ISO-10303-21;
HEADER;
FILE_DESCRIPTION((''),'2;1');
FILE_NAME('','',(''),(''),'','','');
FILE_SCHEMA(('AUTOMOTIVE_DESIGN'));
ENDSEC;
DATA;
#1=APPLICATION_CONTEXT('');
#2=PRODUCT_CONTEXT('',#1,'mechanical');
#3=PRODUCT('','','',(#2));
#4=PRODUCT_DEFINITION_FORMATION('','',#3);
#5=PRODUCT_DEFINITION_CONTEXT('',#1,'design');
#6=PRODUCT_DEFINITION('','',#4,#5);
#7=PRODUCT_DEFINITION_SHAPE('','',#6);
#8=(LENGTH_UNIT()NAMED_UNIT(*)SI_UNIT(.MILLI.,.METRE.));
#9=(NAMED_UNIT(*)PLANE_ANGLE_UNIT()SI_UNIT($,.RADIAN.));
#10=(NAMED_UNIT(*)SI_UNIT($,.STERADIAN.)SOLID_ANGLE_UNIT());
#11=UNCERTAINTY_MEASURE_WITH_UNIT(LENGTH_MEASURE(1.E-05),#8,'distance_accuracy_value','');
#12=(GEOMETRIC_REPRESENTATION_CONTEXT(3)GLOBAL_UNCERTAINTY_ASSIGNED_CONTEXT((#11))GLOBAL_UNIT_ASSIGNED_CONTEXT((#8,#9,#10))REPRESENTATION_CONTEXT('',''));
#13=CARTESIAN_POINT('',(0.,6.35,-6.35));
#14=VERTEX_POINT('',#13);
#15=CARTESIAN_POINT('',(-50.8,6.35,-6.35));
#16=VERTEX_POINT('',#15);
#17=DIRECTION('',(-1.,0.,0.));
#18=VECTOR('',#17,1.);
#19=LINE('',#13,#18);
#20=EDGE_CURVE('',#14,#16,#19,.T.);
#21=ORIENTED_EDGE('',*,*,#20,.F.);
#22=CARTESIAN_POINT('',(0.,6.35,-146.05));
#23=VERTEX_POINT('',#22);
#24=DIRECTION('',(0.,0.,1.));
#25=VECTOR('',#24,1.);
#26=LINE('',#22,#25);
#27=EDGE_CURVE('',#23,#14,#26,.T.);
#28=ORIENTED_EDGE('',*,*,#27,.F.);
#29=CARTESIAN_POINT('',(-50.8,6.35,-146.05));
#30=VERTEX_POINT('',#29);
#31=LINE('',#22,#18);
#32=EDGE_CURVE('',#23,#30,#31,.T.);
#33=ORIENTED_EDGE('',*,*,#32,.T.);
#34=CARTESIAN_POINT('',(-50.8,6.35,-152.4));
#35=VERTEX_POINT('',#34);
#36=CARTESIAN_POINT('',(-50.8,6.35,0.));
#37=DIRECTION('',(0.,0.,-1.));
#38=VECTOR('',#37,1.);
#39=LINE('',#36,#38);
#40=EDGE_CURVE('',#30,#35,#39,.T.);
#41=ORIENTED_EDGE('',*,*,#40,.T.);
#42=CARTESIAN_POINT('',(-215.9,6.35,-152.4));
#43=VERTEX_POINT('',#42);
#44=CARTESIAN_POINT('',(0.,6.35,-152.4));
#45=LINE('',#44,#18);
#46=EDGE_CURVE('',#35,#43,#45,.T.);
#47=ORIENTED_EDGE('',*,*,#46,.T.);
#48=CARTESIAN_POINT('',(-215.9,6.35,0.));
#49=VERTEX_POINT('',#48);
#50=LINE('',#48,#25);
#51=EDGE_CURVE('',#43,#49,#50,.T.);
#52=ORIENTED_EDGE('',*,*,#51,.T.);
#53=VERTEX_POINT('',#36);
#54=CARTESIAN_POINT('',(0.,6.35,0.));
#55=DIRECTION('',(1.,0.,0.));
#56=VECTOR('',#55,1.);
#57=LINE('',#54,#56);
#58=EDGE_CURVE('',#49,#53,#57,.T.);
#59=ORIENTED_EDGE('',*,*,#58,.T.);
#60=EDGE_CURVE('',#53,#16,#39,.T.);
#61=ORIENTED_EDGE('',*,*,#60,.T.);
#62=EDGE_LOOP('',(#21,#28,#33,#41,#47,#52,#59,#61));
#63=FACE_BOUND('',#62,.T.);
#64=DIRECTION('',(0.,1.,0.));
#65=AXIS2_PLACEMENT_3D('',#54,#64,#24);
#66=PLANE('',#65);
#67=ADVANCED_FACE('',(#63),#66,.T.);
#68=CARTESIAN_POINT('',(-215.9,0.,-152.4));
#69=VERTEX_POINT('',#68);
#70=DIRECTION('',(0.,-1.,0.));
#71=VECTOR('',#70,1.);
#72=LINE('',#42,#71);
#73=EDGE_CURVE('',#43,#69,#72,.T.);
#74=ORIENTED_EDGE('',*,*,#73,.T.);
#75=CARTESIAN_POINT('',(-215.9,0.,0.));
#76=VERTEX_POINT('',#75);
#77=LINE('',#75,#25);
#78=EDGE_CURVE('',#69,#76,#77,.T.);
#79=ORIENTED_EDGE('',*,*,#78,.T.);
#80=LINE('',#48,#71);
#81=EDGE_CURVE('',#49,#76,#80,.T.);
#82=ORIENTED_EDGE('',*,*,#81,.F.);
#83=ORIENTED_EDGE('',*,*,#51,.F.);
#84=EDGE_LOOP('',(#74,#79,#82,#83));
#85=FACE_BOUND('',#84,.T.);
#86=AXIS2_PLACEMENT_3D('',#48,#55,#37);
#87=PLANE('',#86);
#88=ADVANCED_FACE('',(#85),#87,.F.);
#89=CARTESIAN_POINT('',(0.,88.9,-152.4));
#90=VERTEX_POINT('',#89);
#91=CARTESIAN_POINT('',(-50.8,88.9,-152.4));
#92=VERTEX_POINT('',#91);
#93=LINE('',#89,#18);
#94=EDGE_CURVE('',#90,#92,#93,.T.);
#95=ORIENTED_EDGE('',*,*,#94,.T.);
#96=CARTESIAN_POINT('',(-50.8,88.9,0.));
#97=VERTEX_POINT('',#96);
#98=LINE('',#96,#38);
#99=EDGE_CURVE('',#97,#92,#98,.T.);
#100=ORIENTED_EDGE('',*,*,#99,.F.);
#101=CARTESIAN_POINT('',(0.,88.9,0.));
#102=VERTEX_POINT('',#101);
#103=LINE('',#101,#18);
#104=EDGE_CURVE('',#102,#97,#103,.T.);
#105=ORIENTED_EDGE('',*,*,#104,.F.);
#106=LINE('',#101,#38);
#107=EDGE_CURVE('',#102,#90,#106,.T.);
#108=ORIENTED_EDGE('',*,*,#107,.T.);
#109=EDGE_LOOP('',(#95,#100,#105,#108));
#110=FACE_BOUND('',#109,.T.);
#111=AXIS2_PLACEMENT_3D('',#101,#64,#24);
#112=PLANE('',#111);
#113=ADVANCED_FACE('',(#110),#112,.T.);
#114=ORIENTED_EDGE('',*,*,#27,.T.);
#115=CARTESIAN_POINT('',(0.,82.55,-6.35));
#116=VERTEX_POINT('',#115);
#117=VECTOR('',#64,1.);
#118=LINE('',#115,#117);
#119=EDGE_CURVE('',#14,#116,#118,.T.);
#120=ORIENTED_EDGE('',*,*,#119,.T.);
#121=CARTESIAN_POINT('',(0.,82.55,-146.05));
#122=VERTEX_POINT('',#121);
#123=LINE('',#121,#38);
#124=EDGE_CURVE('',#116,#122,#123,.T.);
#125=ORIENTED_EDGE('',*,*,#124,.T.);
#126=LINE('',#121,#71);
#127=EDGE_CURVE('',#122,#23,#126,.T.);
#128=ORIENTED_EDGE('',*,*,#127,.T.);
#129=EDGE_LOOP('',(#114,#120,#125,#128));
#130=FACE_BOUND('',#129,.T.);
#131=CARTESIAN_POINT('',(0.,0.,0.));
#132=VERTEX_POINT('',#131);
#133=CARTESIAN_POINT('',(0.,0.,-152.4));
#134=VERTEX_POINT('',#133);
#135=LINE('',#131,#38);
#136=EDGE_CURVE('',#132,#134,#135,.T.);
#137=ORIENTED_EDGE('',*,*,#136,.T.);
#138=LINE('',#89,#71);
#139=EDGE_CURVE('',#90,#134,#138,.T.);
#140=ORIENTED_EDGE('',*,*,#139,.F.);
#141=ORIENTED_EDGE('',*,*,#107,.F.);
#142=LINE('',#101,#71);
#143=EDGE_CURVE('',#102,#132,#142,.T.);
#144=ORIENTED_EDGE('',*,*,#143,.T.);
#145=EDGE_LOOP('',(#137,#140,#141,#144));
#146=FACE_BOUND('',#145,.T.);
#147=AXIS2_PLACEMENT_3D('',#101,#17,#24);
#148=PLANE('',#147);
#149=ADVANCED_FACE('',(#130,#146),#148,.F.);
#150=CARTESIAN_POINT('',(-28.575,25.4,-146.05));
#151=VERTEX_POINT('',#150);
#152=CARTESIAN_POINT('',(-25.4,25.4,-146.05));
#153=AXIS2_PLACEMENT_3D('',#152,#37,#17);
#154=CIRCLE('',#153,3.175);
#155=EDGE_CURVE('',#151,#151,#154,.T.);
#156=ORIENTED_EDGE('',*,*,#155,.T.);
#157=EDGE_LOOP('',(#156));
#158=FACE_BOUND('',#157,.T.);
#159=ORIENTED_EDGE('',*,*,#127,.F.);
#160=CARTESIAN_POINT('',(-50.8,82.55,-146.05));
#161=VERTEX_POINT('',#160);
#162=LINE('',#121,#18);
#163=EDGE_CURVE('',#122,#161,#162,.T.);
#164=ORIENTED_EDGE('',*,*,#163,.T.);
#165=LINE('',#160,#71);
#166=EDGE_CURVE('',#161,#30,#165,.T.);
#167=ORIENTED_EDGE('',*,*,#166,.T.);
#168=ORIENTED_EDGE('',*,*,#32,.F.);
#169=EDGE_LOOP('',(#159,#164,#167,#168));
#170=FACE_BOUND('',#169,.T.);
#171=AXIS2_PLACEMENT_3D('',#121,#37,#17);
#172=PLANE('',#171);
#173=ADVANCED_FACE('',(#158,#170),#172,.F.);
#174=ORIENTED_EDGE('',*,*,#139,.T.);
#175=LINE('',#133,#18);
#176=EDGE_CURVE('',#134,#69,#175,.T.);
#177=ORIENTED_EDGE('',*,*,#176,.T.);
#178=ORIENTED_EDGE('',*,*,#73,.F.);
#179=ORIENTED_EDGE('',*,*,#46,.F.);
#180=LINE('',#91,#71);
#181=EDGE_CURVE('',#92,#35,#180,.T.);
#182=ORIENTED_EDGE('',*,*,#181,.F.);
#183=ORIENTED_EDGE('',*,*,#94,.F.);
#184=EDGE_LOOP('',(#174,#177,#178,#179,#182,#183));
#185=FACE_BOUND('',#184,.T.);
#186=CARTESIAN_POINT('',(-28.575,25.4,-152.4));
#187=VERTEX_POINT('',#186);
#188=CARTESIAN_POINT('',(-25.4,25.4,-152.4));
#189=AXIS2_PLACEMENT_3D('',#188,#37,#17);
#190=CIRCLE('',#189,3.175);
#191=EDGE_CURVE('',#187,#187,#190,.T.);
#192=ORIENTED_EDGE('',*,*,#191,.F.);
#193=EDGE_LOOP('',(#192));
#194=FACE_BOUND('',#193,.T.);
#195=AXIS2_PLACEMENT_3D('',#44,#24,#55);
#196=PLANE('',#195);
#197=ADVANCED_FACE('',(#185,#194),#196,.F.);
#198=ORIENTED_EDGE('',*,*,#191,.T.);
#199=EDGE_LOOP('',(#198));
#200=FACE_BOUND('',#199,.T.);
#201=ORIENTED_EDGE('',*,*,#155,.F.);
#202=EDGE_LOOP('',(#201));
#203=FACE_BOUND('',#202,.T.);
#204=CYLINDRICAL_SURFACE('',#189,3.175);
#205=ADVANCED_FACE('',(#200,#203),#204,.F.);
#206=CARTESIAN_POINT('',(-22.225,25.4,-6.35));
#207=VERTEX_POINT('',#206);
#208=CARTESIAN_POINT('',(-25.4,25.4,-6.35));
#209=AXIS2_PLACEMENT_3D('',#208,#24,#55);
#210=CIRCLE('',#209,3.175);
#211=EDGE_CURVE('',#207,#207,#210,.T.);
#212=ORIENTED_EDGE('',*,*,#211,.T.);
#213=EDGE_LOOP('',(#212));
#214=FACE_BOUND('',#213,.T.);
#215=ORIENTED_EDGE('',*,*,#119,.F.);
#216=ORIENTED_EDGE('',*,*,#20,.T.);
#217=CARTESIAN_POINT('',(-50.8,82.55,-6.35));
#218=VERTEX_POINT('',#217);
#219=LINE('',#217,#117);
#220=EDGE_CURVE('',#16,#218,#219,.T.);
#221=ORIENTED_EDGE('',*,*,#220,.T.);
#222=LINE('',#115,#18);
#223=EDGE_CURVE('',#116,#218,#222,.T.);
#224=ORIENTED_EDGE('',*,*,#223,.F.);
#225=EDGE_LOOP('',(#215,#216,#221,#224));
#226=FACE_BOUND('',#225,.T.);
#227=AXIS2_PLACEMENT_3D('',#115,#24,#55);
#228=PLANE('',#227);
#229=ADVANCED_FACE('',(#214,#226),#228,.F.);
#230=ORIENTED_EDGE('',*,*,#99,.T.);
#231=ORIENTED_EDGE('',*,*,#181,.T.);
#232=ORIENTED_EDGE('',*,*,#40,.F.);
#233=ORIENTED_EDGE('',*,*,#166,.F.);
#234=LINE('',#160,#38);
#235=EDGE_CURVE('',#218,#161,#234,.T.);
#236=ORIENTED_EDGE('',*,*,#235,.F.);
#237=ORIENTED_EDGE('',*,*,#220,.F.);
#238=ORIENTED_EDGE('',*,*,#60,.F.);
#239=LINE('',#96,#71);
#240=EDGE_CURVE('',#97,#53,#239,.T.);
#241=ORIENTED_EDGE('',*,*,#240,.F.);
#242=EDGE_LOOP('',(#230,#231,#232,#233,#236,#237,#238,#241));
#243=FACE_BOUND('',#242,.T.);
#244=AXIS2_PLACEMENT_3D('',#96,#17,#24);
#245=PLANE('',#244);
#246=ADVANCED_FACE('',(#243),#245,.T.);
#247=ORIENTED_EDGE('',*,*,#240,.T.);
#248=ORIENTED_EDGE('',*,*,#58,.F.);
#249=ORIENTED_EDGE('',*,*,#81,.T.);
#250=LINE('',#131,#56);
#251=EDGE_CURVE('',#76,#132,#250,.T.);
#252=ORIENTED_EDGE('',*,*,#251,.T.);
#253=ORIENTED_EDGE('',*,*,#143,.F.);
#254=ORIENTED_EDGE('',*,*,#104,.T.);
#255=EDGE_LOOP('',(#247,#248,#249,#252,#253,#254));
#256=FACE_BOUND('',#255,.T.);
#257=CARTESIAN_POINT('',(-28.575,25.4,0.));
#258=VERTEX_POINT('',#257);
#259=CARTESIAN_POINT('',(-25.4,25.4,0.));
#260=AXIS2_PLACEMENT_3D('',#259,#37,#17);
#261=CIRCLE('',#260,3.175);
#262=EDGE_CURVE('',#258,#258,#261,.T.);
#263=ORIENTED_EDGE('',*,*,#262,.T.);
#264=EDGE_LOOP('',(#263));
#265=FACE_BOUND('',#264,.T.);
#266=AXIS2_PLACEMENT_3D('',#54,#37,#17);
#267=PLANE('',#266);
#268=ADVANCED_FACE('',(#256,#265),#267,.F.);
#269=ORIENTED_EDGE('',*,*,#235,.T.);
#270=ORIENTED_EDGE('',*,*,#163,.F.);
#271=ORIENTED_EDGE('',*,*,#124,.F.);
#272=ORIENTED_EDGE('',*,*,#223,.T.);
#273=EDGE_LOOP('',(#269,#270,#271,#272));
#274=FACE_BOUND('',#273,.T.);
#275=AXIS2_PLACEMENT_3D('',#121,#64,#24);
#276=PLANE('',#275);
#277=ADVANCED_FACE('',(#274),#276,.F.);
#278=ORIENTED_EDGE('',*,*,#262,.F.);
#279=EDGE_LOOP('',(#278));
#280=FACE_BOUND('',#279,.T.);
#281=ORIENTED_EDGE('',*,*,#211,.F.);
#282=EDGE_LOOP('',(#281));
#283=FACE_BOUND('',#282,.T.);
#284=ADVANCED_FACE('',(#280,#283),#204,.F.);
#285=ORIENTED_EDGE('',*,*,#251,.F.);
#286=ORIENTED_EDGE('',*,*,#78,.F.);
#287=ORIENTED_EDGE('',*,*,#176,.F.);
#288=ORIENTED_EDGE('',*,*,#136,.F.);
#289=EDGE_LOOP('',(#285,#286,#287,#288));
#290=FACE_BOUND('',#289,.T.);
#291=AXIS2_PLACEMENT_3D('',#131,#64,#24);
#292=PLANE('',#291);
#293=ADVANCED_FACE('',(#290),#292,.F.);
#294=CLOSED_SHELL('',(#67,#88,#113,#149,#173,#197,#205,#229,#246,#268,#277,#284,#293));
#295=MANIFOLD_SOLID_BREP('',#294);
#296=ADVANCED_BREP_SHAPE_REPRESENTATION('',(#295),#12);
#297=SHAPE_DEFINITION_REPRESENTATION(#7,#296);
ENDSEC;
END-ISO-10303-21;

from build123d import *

# Parameters (mm, degrees)
SKETCH1_W                   = 165.1
SKETCH1_H                   = 152.4
BOSS_EXTRUDE1_DEPTH         = 6.35
SKETCH1_7_W                 = 50.8
SKETCH1_7_H                 = 152.4
BOSS_EXTRUDE2_DEPTH         = 88.9
SKETCH29_W                  = 139.7
SKETCH29_H                  = 76.2
CUT_EXTRUDE4_DEPTH          = 242.633979399
F_1_4_0_25_DIAMETER_HOLE2_D = 6.35


with BuildPart() as part:
    # Sketch1 → Boss-Extrude1 (new body)
    with BuildSketch(Plane(origin=(0, 0, 0), x_dir=(1, 0, 0), z_dir=(0, 1, 0))):
        with Locations((-133.35, 76.2)):
            Rectangle(SKETCH1_W, SKETCH1_H)
    extrude(amount=BOSS_EXTRUDE1_DEPTH)

    # Sketch1<7> → Boss-Extrude2 (add)
    with BuildSketch(Plane(origin=(0, 0, 0), x_dir=(1, 0, 0), z_dir=(0, 1, 0))):
        with Locations((-25.4, 76.2)):
            Rectangle(SKETCH1_7_W, SKETCH1_7_H)
    extrude(amount=BOSS_EXTRUDE2_DEPTH)

    # Sketch29 → Cut-Extrude4 (cut, through all)
    with BuildSketch(Plane.ZY.offset(50.8)):
        with Locations((-76.2, 44.45)):
            Rectangle(SKETCH29_W, SKETCH29_H)
    extrude(amount=-CUT_EXTRUDE4_DEPTH, mode=Mode.SUBTRACT)

    # 1/4 (0.25) Diameter Hole2 (through all)
    with Locations(Plane(origin=(0, 0, -152.4), x_dir=(-1, 0, 0), z_dir=(0, 0, -1))):
        with Locations((25.4, 25.4)):
            Hole(F_1_4_0_25_DIAMETER_HOLE2_D / 2)


solid = part.part
